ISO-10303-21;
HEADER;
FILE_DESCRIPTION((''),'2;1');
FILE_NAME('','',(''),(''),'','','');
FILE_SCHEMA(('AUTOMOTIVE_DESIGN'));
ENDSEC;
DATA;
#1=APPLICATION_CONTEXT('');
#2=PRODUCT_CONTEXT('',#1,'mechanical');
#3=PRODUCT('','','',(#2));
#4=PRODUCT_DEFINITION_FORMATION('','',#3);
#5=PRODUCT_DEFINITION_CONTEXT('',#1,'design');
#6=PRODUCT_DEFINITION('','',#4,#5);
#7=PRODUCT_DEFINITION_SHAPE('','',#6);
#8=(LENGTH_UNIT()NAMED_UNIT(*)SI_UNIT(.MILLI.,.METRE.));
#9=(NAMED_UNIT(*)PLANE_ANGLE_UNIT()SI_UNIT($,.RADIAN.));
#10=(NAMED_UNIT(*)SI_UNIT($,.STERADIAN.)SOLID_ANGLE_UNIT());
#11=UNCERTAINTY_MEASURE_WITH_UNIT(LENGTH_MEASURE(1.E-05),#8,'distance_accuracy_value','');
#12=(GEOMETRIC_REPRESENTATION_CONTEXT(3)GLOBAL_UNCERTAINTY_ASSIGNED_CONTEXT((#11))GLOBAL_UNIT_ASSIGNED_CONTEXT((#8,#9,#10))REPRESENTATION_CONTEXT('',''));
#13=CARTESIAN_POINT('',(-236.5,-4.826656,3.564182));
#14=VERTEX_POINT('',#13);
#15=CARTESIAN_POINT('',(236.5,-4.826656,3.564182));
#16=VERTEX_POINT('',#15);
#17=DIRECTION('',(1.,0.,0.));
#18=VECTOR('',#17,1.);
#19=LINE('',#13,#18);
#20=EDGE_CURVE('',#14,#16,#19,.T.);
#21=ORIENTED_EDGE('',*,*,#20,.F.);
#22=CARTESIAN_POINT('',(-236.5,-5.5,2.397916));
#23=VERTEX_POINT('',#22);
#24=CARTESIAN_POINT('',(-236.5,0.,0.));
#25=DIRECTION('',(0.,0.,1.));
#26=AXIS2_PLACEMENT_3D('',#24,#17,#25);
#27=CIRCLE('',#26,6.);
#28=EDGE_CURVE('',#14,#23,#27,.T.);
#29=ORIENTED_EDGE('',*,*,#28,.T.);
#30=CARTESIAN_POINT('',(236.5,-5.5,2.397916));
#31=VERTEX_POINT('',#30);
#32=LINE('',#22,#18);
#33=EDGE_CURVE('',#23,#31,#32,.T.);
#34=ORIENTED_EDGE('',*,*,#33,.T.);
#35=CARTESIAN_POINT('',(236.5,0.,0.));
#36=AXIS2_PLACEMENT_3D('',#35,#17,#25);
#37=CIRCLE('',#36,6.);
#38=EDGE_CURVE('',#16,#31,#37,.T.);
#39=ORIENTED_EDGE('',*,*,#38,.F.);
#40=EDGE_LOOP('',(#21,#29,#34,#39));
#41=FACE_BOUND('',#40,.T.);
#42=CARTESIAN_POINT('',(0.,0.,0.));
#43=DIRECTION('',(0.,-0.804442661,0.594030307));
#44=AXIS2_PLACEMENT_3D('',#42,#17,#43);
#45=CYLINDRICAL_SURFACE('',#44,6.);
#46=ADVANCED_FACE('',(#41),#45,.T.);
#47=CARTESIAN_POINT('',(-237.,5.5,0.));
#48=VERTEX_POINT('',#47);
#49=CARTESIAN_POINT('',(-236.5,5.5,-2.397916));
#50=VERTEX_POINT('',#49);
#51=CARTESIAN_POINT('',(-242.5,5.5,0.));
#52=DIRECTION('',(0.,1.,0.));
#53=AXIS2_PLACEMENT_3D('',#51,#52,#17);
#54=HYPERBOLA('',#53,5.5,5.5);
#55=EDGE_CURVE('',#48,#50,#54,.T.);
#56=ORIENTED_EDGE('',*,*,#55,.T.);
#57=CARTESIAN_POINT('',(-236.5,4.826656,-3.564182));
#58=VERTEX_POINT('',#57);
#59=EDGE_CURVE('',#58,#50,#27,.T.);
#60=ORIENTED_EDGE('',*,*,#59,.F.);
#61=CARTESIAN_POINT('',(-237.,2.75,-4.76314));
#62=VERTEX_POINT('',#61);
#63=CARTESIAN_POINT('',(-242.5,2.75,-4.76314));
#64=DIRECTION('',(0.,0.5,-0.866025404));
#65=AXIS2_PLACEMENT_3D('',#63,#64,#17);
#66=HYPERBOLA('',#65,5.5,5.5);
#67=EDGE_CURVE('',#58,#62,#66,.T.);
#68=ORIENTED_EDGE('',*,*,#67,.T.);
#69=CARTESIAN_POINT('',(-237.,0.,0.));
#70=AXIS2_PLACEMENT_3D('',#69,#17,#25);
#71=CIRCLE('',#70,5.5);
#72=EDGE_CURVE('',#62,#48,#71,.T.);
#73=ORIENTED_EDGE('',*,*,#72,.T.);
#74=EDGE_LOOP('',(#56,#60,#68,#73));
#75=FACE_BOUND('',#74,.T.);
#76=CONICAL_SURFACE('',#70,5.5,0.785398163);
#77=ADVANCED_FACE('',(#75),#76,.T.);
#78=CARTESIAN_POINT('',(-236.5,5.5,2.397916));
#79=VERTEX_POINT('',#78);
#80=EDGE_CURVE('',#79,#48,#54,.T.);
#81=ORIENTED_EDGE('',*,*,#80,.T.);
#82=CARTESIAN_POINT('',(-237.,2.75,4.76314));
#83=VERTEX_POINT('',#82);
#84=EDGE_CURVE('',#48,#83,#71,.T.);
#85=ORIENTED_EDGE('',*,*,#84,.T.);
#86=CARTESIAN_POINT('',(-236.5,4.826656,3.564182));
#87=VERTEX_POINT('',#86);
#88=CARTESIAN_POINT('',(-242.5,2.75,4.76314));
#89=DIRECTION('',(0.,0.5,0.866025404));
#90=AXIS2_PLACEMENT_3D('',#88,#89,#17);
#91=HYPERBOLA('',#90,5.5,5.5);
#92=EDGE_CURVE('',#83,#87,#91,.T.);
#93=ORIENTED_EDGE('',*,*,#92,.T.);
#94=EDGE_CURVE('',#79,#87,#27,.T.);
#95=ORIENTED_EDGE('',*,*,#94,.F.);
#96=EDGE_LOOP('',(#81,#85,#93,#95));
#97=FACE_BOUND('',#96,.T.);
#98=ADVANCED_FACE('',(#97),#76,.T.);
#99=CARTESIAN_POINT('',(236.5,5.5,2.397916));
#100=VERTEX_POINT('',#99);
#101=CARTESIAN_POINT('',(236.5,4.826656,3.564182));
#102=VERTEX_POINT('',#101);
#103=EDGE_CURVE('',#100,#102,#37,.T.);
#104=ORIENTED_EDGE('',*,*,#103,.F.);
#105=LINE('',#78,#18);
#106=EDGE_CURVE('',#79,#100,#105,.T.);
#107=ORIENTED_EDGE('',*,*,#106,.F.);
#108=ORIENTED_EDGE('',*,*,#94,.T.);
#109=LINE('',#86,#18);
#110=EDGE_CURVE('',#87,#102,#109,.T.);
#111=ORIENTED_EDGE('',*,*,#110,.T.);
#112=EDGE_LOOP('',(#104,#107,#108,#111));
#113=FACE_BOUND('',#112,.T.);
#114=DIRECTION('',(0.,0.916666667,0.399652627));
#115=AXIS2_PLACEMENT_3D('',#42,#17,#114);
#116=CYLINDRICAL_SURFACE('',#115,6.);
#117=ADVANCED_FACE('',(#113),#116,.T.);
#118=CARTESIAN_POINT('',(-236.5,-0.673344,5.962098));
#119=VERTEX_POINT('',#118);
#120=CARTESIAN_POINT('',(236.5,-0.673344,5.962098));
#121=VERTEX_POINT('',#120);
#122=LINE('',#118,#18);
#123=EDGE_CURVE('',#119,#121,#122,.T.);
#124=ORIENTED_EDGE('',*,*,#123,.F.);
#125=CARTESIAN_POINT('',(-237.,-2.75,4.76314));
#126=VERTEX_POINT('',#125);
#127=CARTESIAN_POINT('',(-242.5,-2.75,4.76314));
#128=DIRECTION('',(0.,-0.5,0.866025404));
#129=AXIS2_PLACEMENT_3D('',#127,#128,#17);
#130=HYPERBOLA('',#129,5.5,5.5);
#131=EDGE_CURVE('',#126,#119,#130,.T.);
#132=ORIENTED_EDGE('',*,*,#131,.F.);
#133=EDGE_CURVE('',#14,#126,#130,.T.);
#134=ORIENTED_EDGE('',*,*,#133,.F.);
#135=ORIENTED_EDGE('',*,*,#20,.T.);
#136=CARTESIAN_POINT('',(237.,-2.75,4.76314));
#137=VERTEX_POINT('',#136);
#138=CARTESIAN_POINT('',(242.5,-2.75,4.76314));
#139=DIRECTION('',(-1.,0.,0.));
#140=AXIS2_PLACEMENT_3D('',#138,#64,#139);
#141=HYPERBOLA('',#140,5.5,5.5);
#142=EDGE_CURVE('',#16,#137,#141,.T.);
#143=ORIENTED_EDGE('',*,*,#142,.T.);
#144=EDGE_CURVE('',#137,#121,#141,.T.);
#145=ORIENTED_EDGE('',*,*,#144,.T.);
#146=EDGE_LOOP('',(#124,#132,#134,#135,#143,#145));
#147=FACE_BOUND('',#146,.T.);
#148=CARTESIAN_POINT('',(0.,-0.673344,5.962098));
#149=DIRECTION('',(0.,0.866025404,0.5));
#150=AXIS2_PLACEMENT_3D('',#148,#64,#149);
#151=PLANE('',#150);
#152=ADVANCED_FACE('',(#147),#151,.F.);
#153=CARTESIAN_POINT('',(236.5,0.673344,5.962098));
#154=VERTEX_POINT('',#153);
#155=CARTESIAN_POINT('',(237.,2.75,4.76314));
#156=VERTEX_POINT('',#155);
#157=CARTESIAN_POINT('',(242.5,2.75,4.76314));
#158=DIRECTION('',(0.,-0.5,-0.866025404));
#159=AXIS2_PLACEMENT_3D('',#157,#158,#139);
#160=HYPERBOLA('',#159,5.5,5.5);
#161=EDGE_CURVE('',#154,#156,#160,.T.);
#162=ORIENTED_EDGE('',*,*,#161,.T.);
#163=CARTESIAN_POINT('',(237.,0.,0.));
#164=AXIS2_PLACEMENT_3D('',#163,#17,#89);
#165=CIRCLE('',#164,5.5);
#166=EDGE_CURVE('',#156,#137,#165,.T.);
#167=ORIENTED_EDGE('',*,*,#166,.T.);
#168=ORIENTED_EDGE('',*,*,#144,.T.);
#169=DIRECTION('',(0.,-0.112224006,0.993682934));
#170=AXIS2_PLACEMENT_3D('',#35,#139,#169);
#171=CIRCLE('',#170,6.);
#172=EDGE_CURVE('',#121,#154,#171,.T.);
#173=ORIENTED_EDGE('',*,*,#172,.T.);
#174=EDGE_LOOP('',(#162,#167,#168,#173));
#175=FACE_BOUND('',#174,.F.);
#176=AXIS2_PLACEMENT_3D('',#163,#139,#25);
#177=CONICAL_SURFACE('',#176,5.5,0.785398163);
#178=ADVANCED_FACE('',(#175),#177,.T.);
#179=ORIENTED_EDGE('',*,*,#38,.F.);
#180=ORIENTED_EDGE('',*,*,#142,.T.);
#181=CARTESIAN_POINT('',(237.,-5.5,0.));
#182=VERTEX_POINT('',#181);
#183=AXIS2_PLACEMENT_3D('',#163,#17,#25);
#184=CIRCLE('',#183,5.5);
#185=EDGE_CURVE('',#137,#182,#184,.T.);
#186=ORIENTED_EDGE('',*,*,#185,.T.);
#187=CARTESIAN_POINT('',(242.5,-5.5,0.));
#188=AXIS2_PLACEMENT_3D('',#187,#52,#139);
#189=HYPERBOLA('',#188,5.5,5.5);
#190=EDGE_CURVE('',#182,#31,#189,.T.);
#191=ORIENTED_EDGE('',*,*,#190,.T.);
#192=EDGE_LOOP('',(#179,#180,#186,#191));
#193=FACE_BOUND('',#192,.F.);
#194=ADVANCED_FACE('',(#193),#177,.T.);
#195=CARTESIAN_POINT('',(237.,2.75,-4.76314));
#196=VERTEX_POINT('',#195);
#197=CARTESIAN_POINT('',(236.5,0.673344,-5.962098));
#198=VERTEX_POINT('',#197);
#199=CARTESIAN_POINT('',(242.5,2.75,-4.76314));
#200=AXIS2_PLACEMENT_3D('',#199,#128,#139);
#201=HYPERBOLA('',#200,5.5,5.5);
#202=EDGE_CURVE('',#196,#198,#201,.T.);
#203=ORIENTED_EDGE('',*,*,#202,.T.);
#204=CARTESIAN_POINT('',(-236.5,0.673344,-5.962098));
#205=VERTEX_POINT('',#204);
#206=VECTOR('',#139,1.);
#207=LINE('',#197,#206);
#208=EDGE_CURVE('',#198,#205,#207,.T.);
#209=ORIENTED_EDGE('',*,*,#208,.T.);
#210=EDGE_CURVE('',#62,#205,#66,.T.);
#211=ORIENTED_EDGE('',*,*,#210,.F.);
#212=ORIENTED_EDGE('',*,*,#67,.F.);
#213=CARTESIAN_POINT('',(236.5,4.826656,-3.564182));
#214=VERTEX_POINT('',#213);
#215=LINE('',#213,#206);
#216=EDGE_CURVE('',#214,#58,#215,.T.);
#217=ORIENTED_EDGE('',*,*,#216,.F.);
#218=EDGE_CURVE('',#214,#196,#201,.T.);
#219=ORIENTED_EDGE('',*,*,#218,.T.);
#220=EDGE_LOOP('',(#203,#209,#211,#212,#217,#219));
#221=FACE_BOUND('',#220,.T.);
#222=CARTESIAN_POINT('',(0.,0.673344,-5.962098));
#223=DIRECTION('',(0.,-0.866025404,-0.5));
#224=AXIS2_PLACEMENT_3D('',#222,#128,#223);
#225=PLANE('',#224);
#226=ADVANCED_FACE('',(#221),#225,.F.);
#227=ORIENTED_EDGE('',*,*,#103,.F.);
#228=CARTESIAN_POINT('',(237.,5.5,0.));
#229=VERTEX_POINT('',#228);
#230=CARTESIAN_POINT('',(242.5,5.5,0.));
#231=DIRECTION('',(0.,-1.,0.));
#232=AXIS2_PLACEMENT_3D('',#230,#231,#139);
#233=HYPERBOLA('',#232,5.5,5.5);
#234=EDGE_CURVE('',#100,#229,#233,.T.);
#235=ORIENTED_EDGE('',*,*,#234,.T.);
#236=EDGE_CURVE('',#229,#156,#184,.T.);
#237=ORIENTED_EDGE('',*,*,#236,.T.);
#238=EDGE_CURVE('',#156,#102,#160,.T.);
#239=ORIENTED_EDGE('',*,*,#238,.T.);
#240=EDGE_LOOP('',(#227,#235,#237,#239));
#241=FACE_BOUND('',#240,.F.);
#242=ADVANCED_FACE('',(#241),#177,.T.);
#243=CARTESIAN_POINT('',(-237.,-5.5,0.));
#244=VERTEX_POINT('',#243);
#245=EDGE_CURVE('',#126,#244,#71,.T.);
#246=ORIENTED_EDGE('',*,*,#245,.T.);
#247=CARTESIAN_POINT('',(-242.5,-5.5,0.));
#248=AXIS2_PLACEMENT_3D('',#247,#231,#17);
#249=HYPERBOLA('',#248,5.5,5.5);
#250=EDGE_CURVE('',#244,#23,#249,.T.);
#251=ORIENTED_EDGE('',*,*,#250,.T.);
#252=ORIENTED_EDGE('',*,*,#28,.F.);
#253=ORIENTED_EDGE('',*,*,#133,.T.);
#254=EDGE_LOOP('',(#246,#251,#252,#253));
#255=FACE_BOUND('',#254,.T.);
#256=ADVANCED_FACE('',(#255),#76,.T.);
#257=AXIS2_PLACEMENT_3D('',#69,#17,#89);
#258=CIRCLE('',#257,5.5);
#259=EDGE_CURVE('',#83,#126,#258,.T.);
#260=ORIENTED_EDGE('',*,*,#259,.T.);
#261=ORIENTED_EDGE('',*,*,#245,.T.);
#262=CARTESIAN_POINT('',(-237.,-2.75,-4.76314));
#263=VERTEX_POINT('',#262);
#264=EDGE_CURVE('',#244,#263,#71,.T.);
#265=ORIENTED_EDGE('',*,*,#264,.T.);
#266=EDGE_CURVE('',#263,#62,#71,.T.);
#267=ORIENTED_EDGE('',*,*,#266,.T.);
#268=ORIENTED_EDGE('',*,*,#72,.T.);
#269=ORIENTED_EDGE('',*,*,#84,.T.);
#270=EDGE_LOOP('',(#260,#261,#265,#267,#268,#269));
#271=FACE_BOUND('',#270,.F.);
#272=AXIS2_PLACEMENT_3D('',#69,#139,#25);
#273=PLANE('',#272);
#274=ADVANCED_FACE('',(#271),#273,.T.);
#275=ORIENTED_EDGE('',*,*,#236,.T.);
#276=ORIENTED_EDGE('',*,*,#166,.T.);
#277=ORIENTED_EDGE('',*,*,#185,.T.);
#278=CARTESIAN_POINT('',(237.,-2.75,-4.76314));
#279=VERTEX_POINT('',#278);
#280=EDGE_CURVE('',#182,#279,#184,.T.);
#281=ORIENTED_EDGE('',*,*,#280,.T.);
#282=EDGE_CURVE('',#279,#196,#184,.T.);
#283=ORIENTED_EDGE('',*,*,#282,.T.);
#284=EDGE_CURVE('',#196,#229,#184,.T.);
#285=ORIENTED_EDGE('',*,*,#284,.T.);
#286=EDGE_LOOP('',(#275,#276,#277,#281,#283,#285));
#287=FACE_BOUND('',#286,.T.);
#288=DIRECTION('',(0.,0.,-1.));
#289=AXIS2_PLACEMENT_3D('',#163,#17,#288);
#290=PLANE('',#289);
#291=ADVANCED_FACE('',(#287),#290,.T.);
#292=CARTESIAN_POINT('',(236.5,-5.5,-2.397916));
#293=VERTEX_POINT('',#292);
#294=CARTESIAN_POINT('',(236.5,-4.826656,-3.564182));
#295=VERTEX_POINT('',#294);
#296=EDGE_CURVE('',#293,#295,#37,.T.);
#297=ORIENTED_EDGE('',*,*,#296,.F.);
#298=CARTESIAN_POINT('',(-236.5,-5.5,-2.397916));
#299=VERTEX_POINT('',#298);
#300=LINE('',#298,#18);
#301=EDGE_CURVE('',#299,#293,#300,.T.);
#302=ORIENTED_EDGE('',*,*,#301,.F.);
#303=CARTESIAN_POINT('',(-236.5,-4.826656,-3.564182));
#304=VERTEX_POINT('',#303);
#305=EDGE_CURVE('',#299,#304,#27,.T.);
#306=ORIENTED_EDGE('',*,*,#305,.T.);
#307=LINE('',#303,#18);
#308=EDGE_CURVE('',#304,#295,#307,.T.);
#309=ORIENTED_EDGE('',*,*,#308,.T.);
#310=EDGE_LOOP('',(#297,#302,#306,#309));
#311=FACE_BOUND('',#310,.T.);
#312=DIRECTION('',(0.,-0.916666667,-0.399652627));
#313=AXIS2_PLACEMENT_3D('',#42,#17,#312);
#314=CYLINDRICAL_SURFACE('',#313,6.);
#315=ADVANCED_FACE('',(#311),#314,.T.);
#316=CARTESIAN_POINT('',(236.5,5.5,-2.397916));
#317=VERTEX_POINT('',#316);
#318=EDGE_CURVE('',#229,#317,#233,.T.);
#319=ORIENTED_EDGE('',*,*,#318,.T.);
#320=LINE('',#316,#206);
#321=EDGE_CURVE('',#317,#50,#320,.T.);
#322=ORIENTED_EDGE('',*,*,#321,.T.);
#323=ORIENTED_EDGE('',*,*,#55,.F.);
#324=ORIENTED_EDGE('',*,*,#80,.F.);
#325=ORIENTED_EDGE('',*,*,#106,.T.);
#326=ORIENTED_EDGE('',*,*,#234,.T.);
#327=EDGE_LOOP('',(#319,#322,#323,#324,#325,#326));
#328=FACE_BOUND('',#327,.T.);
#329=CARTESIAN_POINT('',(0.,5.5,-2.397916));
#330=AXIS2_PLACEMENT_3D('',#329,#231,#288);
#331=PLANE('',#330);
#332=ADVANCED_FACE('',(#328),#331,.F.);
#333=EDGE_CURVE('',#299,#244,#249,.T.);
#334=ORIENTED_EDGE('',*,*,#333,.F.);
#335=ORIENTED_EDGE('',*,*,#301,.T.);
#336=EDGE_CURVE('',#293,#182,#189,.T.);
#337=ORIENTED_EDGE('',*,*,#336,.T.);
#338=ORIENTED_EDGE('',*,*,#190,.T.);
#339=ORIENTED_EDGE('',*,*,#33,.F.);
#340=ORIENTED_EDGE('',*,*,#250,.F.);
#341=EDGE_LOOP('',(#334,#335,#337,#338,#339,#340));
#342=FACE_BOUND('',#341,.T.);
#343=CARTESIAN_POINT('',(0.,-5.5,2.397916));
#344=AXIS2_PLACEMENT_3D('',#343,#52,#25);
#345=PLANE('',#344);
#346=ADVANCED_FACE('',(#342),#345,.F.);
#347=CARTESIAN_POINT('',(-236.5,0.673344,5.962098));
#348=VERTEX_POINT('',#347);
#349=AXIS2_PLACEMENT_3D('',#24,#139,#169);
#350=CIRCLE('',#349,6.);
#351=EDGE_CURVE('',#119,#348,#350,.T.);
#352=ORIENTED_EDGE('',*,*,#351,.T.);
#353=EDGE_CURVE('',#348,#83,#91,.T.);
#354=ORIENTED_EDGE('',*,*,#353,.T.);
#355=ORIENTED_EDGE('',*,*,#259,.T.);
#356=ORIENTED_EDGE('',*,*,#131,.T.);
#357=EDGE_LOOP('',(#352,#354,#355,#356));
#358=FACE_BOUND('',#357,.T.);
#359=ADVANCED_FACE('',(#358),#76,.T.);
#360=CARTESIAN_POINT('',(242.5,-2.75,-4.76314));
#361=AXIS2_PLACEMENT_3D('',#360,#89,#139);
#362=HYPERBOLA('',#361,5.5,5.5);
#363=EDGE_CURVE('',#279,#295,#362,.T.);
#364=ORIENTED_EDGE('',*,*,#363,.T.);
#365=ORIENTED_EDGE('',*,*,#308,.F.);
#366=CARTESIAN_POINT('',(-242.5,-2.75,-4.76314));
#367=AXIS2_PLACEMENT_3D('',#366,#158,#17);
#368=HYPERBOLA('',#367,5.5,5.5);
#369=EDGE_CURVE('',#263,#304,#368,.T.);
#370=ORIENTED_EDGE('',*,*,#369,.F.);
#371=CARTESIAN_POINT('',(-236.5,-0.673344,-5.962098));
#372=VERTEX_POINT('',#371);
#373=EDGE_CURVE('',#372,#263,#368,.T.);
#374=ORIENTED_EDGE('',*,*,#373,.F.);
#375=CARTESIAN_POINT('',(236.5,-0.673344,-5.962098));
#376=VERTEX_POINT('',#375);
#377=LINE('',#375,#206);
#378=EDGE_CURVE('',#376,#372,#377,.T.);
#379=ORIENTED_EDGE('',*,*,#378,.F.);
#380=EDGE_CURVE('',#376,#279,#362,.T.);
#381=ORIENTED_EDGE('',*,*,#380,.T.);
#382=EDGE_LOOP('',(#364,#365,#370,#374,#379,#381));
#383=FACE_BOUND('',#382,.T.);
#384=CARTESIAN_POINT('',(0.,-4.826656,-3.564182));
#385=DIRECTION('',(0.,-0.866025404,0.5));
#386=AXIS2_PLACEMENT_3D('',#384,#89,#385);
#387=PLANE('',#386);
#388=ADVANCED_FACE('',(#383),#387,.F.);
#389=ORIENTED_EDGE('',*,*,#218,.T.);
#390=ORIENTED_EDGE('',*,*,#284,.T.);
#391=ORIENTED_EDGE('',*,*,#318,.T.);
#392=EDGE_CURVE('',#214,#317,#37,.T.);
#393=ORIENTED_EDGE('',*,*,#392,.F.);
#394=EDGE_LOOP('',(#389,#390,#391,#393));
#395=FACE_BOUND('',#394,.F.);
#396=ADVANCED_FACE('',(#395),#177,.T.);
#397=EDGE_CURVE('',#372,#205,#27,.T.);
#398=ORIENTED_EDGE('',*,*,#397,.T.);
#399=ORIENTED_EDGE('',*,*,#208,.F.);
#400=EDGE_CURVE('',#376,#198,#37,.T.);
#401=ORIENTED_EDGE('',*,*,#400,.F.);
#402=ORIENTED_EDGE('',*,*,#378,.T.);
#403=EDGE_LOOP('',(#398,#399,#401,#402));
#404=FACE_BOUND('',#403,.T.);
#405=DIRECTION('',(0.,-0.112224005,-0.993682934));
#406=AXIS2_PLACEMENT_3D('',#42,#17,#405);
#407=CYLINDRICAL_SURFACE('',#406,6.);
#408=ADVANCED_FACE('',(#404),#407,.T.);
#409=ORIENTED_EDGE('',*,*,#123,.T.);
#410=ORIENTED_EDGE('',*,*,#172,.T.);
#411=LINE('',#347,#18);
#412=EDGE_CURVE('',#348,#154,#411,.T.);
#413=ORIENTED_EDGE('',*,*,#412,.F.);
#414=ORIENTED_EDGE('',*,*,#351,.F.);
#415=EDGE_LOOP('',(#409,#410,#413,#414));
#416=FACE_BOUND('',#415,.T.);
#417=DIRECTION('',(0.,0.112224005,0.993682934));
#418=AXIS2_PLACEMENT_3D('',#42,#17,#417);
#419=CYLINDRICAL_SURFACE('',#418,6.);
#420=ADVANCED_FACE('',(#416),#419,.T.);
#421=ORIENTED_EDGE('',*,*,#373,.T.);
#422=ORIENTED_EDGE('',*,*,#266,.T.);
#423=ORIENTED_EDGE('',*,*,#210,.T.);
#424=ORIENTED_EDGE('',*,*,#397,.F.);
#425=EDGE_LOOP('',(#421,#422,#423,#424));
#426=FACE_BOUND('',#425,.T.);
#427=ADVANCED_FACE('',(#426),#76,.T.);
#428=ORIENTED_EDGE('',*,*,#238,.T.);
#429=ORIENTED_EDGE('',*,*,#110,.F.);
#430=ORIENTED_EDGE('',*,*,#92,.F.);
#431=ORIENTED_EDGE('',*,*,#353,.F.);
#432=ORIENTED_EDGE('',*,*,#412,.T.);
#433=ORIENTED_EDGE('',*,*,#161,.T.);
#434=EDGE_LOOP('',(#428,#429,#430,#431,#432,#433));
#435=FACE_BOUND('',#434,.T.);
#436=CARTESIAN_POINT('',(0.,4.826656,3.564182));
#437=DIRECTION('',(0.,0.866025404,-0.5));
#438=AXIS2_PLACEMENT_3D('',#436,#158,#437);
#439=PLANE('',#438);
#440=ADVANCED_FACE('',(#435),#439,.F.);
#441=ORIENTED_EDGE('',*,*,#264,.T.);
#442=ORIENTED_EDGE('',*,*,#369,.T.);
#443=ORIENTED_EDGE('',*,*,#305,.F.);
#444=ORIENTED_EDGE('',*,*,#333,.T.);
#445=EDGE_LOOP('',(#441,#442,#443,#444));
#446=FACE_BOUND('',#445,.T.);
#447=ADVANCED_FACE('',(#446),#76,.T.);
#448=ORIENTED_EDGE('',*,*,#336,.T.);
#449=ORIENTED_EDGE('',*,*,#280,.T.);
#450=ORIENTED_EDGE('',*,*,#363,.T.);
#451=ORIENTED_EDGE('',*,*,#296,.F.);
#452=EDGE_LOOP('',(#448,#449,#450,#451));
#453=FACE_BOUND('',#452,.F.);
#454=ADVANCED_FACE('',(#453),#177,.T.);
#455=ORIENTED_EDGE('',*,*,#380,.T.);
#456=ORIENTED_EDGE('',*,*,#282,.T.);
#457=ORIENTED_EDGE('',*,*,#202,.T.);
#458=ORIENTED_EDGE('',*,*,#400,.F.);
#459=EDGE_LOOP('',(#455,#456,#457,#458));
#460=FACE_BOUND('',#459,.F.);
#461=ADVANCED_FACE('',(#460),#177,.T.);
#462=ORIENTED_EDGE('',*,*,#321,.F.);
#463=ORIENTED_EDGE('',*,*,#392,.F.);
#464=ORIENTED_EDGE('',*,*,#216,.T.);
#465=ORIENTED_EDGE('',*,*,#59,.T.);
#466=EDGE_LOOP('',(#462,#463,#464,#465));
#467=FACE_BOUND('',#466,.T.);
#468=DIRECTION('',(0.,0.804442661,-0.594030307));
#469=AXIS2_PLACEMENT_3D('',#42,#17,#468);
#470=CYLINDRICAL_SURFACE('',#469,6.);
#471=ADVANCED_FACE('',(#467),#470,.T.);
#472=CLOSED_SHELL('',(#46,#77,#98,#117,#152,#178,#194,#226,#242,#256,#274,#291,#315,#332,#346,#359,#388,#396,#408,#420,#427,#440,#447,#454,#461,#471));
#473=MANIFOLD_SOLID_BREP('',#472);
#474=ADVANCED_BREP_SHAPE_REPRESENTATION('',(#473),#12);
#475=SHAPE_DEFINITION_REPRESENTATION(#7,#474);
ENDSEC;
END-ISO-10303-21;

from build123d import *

# Parameters (mm, degrees)
BOSS_EXTRUDE1_DEPTH = 237


with BuildPart() as part:
    # Sketch1 → Boss-Extrude1 (new body)
    with BuildSketch(Plane(origin=(0, 0, 0), x_dir=(0, 0, -1), z_dir=(1, 0, 0))):
        with BuildLine():
            Line((2.397915762, 5.5), (-2.397915762, 5.5))
            ThreePointArc((-2.397915762, 5.5), (-3, 5.196152423), (-3.56418184, 4.826655966))
            Line((-3.56418184, 4.826655966), (-5.962097602, 0.673344034))
            ThreePointArc((-5.962097602, 0.673344034), (-6, 0), (-5.962097602, -0.673344034))
            Line((-5.962097602, -0.673344034), (-3.56418184, -4.826655966))
            ThreePointArc((-3.56418184, -4.826655966), (-3, -5.196152423), (-2.397915762, -5.5))
            Line((-2.397915762, -5.5), (2.397915762, -5.5))
            ThreePointArc((2.397915762, -5.5), (3, -5.196152423), (3.56418184, -4.826655966))
            Line((3.56418184, -4.826655966), (5.962097602, -0.673344034))
            ThreePointArc((5.962097602, -0.673344034), (6, 0), (5.962097602, 0.673344034))
            Line((5.962097602, 0.673344034), (3.56418184, 4.826655966))
            ThreePointArc((3.56418184, 4.826655966), (3, 5.196152423), (2.397915762, 5.5))
        make_face()
    extrude(amount=BOSS_EXTRUDE1_DEPTH)

    # Sketch3 → Cut-Revolve6 (revolve, cut)
    with BuildSketch(Plane(origin=(0, 0, 0), x_dir=(1, 0, 0), z_dir=(0, 1, 0))):
        Polygon((236.5, -6), (237, -6), (237, -5.5), align=None)
    revolve(axis=Axis((0, 0, 0), (1, 0, 0)), mode=Mode.SUBTRACT)

    # Mirror1: part across plane


with BuildPart() as part_1:
    add(part.part)
    add(part.part.mirror(Plane(origin=(0, 0, 0), x_dir=(0, 0, 1), z_dir=(1, 0, 0))))


solid = part_1.part
